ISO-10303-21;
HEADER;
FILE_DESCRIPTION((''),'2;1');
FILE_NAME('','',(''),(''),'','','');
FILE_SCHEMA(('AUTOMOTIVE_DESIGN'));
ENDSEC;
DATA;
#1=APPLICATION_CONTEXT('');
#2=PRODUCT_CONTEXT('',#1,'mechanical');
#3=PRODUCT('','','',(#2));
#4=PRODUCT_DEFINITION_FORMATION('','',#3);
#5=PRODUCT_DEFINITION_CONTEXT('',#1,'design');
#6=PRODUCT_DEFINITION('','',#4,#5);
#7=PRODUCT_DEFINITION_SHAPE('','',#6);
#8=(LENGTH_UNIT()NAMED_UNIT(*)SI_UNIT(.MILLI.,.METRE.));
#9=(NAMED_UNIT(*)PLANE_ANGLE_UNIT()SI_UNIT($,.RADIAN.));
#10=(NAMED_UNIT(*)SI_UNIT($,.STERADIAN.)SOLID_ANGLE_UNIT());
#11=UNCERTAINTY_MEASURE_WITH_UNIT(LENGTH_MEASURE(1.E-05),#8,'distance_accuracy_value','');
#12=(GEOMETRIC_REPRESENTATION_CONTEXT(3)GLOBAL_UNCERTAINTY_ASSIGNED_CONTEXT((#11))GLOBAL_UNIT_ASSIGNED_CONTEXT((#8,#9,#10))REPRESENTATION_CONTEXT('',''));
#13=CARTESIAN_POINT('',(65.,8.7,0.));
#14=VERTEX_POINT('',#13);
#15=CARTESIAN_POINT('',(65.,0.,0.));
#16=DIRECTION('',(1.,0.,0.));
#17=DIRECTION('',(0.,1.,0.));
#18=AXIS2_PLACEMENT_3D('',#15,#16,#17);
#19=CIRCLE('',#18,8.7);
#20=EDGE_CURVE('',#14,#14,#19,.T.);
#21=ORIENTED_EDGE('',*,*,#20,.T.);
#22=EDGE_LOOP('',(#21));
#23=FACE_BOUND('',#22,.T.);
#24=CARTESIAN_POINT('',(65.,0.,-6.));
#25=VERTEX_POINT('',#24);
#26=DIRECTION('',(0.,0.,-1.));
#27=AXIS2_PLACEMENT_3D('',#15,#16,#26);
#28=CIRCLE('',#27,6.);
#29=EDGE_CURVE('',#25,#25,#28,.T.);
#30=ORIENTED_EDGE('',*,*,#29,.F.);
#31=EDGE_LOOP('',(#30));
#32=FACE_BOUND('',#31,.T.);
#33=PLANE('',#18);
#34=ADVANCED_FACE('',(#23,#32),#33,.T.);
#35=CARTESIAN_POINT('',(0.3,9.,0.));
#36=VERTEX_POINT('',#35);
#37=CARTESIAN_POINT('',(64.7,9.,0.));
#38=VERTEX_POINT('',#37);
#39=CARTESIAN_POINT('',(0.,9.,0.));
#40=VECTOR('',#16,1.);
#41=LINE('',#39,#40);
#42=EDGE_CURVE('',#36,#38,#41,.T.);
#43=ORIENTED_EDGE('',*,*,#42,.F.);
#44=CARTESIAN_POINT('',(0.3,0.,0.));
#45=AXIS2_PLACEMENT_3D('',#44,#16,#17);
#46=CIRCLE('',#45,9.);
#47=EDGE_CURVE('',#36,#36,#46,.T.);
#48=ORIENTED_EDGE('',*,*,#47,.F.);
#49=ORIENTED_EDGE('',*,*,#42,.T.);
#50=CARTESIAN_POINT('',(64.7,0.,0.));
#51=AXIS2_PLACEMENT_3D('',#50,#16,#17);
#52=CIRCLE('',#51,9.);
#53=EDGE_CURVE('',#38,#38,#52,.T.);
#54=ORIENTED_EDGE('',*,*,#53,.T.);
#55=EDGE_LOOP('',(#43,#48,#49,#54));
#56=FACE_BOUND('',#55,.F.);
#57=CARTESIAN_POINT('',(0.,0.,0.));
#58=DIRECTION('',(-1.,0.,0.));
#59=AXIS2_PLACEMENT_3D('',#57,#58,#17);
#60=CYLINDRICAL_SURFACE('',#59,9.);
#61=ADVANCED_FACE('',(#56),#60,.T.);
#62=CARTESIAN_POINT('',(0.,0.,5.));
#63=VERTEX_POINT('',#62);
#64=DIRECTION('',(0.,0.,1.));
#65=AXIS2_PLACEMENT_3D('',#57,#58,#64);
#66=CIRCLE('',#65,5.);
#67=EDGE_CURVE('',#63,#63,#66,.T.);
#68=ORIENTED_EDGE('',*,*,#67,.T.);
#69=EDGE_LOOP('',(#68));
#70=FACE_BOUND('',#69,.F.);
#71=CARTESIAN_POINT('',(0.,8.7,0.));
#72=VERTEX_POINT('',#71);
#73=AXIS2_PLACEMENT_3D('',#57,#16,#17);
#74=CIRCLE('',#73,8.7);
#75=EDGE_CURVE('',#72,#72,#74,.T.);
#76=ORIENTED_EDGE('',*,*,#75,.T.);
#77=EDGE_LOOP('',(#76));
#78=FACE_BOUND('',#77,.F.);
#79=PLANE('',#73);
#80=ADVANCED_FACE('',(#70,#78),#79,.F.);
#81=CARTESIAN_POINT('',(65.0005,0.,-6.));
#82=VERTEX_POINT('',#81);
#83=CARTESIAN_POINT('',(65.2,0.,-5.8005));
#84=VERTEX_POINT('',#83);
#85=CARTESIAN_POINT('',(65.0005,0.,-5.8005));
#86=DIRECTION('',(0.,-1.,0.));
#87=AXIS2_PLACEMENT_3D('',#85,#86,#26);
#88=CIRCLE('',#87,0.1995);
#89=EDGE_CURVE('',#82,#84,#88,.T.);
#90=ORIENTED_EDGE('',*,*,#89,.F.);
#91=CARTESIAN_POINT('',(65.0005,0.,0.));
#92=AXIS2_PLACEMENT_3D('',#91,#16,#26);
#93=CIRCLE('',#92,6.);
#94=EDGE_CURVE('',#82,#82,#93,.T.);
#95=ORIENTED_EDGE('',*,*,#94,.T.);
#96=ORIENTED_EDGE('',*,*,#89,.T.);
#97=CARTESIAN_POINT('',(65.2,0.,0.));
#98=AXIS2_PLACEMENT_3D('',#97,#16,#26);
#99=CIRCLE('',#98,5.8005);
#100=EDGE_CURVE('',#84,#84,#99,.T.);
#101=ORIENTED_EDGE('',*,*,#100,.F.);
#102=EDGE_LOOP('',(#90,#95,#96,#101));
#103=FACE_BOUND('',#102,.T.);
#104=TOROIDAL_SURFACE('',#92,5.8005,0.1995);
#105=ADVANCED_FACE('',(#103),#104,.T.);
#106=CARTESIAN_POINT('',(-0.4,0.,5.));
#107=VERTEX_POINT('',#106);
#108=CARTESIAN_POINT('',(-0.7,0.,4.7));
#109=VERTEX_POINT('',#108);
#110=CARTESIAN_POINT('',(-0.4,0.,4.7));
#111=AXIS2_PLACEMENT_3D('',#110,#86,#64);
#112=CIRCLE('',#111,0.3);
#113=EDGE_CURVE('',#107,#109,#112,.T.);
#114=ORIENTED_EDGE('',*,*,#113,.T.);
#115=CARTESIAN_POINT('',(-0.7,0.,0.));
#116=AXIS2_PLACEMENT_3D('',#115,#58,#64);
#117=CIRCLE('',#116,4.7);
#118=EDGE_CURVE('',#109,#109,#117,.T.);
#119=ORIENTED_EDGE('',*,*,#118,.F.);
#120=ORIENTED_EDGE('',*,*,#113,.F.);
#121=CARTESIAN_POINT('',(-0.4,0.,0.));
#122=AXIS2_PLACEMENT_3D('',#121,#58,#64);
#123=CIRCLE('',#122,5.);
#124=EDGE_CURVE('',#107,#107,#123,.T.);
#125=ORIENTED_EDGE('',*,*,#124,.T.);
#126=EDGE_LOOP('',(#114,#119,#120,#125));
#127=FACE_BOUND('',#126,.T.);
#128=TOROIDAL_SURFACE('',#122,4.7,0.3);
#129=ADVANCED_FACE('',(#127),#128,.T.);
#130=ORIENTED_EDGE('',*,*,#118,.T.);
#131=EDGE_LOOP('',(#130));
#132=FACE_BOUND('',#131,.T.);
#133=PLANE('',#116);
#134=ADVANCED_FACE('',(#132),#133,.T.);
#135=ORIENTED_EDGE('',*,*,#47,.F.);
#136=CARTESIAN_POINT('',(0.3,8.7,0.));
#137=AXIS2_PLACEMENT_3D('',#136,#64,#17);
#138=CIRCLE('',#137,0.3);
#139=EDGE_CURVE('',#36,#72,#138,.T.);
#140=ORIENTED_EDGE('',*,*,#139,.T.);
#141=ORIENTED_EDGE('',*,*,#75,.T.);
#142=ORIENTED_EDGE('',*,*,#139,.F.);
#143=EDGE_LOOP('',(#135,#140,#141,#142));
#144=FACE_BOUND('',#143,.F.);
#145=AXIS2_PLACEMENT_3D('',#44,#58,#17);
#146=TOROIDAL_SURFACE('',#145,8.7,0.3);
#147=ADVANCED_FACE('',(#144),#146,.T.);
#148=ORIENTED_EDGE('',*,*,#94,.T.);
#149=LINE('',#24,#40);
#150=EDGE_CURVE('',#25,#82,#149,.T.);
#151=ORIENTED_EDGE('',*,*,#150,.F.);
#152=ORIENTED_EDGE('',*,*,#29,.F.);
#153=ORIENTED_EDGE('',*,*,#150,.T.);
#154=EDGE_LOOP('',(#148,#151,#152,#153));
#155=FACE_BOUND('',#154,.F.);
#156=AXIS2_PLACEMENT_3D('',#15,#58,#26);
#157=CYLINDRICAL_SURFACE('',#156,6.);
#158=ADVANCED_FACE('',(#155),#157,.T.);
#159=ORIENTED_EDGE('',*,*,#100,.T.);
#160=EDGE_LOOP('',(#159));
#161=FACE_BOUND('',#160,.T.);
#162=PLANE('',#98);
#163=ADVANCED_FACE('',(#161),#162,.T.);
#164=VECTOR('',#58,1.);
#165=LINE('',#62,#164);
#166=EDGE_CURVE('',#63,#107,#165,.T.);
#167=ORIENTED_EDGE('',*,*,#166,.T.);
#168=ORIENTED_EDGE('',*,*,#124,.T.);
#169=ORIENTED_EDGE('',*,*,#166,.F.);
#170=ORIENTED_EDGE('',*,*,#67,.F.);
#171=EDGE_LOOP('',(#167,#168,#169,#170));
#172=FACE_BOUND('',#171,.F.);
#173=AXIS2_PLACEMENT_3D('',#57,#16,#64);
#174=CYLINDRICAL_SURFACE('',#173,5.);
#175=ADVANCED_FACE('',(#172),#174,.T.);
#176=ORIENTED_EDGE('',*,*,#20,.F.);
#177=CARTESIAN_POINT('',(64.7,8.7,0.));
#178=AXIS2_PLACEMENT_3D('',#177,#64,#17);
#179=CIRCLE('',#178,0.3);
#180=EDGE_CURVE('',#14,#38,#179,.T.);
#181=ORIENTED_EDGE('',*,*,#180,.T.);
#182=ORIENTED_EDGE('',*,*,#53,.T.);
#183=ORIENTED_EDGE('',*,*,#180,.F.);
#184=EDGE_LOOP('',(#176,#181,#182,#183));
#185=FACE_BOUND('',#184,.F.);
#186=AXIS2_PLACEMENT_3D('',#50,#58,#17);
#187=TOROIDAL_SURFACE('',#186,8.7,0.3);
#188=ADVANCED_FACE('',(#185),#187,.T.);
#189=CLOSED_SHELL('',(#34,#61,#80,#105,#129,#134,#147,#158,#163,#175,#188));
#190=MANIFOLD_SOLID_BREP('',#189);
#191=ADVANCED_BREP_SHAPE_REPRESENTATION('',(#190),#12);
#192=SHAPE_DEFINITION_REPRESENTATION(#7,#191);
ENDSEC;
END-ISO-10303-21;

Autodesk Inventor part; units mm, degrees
ref_plane "YZ Plane" through (0, 0, 0) normal (1, 0, 0) x (0, 1, 0)
ref_plane "XZ Plane" through (0, 0, 0) normal (0, 1, 0) x (-1, 0, 0)
ref_plane "XY Plane" through (0, 0, 0) normal (0, 0, 1) x (1, 0, 0)
sketch "Sketch1" plane through (0, 0, 0) normal (1, 0, 0) x (0, 1, 0)
  circle A0 centre (0, 0) radius 9
  dimension "d0" = 18
extrude "Extrusion1" add sketch "Sketch1" along normal blind 65
sketch "Sketch2" plane through (65, 0, 0) normal (1, 0, 0) x (0, 0, -1)
  circle A0 centre (0, 0) radius 6
  dimension "d3" = 12
extrude "Extrusion2" add sketch "Sketch2" along normal blind 0.2
fillet "Fillet1" radius 0.2 1 edges at (65.2, 0, 6)
fillet "Fillet2" radius 0.3 1 edges at (65, -9, 0)
fillet "Fillet3" radius 0.3 1 edges at (0, -9, 0)
sketch "Sketch3" plane through (0, 0, 0) normal (-1, 0, 0) x (0, 0, 1)
  circle A0 centre (0, 0) radius 5
  dimension "d9" = 10
extrude "Extrusion3" add sketch "Sketch3" along normal blind 0.7
fillet "Fillet4" radius 0.3 1 edges at (-0.7, 0, -5)
properties part number "18650-battery"
